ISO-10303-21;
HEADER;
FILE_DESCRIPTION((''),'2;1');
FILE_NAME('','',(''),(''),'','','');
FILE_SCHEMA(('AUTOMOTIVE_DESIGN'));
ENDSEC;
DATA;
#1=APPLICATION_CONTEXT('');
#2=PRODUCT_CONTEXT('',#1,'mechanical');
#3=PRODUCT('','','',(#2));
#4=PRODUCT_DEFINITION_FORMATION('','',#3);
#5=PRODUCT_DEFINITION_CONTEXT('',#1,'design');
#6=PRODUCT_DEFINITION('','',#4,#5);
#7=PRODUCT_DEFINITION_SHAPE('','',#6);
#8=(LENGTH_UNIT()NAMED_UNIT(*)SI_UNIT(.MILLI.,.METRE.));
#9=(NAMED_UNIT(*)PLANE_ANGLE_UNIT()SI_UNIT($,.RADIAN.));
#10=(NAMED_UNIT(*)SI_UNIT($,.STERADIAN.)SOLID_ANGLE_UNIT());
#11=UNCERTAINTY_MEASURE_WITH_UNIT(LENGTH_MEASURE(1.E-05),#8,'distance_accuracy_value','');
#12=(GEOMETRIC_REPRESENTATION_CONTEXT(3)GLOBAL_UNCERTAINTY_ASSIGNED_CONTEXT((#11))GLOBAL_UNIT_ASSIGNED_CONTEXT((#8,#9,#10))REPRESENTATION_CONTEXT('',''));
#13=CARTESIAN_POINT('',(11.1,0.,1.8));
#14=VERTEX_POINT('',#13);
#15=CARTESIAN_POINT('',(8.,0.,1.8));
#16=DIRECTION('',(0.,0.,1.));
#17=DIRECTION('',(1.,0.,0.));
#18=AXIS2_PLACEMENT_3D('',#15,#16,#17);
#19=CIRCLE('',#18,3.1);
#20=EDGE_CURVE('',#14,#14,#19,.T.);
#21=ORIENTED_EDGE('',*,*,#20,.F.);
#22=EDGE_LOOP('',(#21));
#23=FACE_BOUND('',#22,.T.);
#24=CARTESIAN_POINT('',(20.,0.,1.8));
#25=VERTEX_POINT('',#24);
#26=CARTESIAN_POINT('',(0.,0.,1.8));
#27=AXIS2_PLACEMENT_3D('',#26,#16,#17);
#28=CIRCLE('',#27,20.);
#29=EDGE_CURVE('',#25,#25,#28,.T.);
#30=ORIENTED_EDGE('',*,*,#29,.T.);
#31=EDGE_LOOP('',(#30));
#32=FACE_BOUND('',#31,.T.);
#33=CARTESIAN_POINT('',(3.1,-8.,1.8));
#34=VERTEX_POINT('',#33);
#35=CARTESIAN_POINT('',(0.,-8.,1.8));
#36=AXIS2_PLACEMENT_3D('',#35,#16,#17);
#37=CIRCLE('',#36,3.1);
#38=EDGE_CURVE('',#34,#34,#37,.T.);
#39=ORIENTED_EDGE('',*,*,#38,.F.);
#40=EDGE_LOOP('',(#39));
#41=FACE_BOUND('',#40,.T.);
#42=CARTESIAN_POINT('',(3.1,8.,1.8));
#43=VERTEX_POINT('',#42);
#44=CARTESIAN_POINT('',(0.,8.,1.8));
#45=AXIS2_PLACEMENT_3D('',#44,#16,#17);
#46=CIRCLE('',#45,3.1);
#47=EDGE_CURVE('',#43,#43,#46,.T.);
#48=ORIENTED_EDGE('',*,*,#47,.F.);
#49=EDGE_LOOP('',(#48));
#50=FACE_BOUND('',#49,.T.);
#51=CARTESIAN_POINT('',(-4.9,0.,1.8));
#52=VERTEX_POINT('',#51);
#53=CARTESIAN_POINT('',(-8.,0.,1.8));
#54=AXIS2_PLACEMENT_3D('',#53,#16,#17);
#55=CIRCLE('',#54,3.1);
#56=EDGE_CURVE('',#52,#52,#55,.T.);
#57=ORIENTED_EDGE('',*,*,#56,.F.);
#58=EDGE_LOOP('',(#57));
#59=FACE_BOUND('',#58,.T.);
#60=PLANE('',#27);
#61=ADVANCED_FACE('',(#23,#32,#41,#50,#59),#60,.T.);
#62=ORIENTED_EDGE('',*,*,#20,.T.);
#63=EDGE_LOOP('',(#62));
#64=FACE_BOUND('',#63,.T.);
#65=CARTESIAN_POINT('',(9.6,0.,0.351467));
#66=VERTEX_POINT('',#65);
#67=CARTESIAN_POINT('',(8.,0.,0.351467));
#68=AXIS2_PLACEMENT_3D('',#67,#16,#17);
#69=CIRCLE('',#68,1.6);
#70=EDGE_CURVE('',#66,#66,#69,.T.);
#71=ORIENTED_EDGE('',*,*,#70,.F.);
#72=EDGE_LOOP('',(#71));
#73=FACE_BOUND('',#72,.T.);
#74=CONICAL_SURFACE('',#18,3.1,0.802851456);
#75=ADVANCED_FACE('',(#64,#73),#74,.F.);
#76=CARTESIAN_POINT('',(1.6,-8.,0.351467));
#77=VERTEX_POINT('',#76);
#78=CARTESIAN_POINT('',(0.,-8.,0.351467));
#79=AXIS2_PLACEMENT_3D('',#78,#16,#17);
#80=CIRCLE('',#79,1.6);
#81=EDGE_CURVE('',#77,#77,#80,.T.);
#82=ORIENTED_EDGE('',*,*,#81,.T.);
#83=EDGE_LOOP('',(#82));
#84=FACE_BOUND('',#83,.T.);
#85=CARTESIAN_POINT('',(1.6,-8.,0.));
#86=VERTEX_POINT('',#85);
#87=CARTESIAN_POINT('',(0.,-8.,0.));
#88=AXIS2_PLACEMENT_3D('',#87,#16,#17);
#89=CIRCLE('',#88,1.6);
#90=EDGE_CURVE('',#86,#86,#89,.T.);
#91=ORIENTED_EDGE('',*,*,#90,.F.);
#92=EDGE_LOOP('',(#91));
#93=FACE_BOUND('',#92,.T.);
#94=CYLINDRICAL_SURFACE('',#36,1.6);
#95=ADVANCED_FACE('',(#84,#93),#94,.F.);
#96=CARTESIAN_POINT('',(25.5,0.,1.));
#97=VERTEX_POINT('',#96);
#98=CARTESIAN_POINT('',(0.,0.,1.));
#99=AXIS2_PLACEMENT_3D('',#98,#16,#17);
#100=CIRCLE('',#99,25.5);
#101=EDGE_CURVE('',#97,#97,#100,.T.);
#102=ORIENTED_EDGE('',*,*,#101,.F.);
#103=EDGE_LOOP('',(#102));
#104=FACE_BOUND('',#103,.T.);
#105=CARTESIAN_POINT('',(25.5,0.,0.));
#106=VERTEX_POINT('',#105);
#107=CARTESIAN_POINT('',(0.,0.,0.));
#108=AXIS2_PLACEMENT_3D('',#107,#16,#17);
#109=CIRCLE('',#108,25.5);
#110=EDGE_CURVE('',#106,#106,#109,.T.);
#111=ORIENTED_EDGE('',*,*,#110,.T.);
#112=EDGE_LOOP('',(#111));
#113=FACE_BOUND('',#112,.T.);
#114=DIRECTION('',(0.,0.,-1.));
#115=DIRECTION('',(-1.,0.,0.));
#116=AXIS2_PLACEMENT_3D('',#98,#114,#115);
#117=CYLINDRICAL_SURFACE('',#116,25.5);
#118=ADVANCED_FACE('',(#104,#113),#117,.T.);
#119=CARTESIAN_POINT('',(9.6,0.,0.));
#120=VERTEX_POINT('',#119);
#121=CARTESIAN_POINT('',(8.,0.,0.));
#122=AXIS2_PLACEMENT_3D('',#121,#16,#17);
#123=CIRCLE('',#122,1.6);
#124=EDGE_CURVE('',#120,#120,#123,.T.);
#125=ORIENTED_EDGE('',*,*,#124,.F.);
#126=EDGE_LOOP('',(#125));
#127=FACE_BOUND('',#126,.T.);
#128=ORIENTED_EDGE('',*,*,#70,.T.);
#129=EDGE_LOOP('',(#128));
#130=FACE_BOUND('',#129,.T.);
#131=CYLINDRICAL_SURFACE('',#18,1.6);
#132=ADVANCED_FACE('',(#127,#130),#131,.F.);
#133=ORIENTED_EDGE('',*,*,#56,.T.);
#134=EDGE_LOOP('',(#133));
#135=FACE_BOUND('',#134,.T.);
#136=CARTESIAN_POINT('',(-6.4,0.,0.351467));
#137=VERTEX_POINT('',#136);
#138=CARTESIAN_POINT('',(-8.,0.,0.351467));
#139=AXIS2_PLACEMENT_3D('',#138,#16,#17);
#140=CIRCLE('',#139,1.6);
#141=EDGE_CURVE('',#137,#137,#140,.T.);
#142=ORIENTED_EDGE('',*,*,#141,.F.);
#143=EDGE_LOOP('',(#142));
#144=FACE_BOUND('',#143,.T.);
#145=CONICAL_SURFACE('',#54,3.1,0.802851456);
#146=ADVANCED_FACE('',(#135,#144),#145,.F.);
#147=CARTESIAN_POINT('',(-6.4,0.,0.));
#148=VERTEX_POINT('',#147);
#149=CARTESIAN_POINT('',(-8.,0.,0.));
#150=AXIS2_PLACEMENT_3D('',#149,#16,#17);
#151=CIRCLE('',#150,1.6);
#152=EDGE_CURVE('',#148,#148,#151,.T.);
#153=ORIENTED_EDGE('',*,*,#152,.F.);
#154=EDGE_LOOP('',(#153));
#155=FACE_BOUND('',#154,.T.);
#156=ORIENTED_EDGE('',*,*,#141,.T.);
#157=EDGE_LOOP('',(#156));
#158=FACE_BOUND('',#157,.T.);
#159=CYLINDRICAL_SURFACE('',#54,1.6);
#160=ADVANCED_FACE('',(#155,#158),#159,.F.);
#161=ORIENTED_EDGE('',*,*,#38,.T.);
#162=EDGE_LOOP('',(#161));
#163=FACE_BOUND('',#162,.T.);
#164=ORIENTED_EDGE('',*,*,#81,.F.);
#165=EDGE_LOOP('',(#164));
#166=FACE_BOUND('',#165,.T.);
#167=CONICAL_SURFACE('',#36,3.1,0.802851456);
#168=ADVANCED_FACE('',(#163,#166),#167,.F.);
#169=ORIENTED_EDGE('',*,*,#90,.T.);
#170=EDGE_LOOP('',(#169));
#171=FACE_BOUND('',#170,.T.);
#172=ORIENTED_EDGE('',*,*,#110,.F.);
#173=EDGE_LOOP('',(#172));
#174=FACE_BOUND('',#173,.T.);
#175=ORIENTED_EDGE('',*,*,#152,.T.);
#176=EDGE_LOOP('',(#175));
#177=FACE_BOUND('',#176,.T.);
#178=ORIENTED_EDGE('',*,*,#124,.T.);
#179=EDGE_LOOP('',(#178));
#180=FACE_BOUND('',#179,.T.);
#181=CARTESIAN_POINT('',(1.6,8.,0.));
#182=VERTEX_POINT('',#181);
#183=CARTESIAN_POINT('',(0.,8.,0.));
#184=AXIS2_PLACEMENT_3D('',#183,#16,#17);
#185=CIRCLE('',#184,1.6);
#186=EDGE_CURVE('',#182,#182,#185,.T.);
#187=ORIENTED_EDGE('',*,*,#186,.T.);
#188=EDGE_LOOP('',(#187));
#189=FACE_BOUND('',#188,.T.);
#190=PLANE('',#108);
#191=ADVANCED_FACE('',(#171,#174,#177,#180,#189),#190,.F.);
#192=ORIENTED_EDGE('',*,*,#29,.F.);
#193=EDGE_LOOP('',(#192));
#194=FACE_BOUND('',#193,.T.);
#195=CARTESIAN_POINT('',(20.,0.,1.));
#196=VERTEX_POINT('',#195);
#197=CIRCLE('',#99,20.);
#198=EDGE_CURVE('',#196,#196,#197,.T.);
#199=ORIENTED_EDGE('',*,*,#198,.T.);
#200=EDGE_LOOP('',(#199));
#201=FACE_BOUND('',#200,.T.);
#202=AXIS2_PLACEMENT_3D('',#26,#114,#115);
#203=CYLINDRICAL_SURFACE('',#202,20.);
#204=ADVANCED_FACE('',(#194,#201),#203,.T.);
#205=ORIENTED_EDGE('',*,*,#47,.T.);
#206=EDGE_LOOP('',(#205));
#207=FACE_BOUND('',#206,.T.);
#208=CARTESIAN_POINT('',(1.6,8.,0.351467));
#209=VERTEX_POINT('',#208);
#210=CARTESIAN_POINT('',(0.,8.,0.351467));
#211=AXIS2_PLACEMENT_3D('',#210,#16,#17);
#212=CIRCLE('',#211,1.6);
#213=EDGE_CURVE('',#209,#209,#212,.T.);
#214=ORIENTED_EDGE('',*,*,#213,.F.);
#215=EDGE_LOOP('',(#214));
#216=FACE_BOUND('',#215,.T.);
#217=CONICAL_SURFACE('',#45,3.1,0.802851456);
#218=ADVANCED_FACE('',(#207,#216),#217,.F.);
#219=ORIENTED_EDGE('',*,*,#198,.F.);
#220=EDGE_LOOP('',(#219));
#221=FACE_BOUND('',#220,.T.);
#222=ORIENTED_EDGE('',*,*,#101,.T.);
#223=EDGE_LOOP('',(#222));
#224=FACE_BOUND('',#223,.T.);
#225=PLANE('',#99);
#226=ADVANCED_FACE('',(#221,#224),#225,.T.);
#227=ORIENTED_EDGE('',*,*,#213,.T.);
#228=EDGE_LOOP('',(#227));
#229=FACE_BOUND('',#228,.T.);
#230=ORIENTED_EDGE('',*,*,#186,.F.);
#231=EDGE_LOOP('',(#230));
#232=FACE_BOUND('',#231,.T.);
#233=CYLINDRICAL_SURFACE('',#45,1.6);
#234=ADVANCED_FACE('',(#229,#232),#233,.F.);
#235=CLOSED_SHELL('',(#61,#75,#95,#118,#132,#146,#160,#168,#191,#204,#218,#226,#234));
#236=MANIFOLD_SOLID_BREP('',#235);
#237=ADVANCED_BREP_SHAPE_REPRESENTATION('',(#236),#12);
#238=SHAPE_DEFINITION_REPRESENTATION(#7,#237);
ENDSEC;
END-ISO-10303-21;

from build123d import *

# Parameters (mm, degrees)
SKETCH1_R           = 25.5
SKETCH1_R_2         = 20
BOSS_EXTRUDE1_DEPTH = 1
SKETCH1_3_R         = 20
BOSS_EXTRUDE2_DEPTH = 1.8
HOLE1_AT_2_COUNT    = 2
HOLE1_AT_2_PITCH    = 11.313708499
HOLE1_AT_3_COUNT    = 2
HOLE1_AT_3_PITCH    = 16
HOLE1_AT_4_COUNT    = 2
HOLE1_AT_4_PITCH    = 11.313708499


with BuildPart() as part:
    # Sketch1 → Boss-Extrude1 (new body)
    with BuildSketch(Plane.XY):
        Circle(SKETCH1_R)
        Circle(SKETCH1_R_2, mode=Mode.SUBTRACT)
    extrude(amount=BOSS_EXTRUDE1_DEPTH)

    # Sketch1<3> → Boss-Extrude2 (add)
    with BuildSketch(Plane.XY):
        Circle(SKETCH1_3_R)
    extrude(amount=BOSS_EXTRUDE2_DEPTH)

    # Sketch4 → Hole1 (revolve, cut)
    with BuildSketch(Plane(origin=(-8, 0, 1.8), x_dir=(0, -1, 0), z_dir=(1, 0, 0))):
        Polygon((0, 0), (0, 1.8), (1.6, 1.8), (1.6, 1.448533162), (3.1, 0), align=None)
    hole1 = revolve(axis=Axis((-8, 0, 8.245314094), (0, 0, -1)), mode=Mode.SUBTRACT)

    # Hole1 at 2: Hole1 ×2
    with Locations(*[Vector(0.7071067811865276, 0.7071067811865676, 0) * (i * HOLE1_AT_2_PITCH) for i in range(1, HOLE1_AT_2_COUNT)]):
        add(hole1, mode=Mode.SUBTRACT)

    # Hole1 at 3: Hole1 ×2
    with Locations(*[(i * HOLE1_AT_3_PITCH, 0, 0) for i in range(1, HOLE1_AT_3_COUNT)]):
        add(hole1, mode=Mode.SUBTRACT)

    # Hole1 at 4: Hole1 ×2
    with Locations(*[Vector(0.7071067811865676, -0.7071067811865276, 0) * (i * HOLE1_AT_4_PITCH) for i in range(1, HOLE1_AT_4_COUNT)]):
        add(hole1, mode=Mode.SUBTRACT)


solid = part.part
